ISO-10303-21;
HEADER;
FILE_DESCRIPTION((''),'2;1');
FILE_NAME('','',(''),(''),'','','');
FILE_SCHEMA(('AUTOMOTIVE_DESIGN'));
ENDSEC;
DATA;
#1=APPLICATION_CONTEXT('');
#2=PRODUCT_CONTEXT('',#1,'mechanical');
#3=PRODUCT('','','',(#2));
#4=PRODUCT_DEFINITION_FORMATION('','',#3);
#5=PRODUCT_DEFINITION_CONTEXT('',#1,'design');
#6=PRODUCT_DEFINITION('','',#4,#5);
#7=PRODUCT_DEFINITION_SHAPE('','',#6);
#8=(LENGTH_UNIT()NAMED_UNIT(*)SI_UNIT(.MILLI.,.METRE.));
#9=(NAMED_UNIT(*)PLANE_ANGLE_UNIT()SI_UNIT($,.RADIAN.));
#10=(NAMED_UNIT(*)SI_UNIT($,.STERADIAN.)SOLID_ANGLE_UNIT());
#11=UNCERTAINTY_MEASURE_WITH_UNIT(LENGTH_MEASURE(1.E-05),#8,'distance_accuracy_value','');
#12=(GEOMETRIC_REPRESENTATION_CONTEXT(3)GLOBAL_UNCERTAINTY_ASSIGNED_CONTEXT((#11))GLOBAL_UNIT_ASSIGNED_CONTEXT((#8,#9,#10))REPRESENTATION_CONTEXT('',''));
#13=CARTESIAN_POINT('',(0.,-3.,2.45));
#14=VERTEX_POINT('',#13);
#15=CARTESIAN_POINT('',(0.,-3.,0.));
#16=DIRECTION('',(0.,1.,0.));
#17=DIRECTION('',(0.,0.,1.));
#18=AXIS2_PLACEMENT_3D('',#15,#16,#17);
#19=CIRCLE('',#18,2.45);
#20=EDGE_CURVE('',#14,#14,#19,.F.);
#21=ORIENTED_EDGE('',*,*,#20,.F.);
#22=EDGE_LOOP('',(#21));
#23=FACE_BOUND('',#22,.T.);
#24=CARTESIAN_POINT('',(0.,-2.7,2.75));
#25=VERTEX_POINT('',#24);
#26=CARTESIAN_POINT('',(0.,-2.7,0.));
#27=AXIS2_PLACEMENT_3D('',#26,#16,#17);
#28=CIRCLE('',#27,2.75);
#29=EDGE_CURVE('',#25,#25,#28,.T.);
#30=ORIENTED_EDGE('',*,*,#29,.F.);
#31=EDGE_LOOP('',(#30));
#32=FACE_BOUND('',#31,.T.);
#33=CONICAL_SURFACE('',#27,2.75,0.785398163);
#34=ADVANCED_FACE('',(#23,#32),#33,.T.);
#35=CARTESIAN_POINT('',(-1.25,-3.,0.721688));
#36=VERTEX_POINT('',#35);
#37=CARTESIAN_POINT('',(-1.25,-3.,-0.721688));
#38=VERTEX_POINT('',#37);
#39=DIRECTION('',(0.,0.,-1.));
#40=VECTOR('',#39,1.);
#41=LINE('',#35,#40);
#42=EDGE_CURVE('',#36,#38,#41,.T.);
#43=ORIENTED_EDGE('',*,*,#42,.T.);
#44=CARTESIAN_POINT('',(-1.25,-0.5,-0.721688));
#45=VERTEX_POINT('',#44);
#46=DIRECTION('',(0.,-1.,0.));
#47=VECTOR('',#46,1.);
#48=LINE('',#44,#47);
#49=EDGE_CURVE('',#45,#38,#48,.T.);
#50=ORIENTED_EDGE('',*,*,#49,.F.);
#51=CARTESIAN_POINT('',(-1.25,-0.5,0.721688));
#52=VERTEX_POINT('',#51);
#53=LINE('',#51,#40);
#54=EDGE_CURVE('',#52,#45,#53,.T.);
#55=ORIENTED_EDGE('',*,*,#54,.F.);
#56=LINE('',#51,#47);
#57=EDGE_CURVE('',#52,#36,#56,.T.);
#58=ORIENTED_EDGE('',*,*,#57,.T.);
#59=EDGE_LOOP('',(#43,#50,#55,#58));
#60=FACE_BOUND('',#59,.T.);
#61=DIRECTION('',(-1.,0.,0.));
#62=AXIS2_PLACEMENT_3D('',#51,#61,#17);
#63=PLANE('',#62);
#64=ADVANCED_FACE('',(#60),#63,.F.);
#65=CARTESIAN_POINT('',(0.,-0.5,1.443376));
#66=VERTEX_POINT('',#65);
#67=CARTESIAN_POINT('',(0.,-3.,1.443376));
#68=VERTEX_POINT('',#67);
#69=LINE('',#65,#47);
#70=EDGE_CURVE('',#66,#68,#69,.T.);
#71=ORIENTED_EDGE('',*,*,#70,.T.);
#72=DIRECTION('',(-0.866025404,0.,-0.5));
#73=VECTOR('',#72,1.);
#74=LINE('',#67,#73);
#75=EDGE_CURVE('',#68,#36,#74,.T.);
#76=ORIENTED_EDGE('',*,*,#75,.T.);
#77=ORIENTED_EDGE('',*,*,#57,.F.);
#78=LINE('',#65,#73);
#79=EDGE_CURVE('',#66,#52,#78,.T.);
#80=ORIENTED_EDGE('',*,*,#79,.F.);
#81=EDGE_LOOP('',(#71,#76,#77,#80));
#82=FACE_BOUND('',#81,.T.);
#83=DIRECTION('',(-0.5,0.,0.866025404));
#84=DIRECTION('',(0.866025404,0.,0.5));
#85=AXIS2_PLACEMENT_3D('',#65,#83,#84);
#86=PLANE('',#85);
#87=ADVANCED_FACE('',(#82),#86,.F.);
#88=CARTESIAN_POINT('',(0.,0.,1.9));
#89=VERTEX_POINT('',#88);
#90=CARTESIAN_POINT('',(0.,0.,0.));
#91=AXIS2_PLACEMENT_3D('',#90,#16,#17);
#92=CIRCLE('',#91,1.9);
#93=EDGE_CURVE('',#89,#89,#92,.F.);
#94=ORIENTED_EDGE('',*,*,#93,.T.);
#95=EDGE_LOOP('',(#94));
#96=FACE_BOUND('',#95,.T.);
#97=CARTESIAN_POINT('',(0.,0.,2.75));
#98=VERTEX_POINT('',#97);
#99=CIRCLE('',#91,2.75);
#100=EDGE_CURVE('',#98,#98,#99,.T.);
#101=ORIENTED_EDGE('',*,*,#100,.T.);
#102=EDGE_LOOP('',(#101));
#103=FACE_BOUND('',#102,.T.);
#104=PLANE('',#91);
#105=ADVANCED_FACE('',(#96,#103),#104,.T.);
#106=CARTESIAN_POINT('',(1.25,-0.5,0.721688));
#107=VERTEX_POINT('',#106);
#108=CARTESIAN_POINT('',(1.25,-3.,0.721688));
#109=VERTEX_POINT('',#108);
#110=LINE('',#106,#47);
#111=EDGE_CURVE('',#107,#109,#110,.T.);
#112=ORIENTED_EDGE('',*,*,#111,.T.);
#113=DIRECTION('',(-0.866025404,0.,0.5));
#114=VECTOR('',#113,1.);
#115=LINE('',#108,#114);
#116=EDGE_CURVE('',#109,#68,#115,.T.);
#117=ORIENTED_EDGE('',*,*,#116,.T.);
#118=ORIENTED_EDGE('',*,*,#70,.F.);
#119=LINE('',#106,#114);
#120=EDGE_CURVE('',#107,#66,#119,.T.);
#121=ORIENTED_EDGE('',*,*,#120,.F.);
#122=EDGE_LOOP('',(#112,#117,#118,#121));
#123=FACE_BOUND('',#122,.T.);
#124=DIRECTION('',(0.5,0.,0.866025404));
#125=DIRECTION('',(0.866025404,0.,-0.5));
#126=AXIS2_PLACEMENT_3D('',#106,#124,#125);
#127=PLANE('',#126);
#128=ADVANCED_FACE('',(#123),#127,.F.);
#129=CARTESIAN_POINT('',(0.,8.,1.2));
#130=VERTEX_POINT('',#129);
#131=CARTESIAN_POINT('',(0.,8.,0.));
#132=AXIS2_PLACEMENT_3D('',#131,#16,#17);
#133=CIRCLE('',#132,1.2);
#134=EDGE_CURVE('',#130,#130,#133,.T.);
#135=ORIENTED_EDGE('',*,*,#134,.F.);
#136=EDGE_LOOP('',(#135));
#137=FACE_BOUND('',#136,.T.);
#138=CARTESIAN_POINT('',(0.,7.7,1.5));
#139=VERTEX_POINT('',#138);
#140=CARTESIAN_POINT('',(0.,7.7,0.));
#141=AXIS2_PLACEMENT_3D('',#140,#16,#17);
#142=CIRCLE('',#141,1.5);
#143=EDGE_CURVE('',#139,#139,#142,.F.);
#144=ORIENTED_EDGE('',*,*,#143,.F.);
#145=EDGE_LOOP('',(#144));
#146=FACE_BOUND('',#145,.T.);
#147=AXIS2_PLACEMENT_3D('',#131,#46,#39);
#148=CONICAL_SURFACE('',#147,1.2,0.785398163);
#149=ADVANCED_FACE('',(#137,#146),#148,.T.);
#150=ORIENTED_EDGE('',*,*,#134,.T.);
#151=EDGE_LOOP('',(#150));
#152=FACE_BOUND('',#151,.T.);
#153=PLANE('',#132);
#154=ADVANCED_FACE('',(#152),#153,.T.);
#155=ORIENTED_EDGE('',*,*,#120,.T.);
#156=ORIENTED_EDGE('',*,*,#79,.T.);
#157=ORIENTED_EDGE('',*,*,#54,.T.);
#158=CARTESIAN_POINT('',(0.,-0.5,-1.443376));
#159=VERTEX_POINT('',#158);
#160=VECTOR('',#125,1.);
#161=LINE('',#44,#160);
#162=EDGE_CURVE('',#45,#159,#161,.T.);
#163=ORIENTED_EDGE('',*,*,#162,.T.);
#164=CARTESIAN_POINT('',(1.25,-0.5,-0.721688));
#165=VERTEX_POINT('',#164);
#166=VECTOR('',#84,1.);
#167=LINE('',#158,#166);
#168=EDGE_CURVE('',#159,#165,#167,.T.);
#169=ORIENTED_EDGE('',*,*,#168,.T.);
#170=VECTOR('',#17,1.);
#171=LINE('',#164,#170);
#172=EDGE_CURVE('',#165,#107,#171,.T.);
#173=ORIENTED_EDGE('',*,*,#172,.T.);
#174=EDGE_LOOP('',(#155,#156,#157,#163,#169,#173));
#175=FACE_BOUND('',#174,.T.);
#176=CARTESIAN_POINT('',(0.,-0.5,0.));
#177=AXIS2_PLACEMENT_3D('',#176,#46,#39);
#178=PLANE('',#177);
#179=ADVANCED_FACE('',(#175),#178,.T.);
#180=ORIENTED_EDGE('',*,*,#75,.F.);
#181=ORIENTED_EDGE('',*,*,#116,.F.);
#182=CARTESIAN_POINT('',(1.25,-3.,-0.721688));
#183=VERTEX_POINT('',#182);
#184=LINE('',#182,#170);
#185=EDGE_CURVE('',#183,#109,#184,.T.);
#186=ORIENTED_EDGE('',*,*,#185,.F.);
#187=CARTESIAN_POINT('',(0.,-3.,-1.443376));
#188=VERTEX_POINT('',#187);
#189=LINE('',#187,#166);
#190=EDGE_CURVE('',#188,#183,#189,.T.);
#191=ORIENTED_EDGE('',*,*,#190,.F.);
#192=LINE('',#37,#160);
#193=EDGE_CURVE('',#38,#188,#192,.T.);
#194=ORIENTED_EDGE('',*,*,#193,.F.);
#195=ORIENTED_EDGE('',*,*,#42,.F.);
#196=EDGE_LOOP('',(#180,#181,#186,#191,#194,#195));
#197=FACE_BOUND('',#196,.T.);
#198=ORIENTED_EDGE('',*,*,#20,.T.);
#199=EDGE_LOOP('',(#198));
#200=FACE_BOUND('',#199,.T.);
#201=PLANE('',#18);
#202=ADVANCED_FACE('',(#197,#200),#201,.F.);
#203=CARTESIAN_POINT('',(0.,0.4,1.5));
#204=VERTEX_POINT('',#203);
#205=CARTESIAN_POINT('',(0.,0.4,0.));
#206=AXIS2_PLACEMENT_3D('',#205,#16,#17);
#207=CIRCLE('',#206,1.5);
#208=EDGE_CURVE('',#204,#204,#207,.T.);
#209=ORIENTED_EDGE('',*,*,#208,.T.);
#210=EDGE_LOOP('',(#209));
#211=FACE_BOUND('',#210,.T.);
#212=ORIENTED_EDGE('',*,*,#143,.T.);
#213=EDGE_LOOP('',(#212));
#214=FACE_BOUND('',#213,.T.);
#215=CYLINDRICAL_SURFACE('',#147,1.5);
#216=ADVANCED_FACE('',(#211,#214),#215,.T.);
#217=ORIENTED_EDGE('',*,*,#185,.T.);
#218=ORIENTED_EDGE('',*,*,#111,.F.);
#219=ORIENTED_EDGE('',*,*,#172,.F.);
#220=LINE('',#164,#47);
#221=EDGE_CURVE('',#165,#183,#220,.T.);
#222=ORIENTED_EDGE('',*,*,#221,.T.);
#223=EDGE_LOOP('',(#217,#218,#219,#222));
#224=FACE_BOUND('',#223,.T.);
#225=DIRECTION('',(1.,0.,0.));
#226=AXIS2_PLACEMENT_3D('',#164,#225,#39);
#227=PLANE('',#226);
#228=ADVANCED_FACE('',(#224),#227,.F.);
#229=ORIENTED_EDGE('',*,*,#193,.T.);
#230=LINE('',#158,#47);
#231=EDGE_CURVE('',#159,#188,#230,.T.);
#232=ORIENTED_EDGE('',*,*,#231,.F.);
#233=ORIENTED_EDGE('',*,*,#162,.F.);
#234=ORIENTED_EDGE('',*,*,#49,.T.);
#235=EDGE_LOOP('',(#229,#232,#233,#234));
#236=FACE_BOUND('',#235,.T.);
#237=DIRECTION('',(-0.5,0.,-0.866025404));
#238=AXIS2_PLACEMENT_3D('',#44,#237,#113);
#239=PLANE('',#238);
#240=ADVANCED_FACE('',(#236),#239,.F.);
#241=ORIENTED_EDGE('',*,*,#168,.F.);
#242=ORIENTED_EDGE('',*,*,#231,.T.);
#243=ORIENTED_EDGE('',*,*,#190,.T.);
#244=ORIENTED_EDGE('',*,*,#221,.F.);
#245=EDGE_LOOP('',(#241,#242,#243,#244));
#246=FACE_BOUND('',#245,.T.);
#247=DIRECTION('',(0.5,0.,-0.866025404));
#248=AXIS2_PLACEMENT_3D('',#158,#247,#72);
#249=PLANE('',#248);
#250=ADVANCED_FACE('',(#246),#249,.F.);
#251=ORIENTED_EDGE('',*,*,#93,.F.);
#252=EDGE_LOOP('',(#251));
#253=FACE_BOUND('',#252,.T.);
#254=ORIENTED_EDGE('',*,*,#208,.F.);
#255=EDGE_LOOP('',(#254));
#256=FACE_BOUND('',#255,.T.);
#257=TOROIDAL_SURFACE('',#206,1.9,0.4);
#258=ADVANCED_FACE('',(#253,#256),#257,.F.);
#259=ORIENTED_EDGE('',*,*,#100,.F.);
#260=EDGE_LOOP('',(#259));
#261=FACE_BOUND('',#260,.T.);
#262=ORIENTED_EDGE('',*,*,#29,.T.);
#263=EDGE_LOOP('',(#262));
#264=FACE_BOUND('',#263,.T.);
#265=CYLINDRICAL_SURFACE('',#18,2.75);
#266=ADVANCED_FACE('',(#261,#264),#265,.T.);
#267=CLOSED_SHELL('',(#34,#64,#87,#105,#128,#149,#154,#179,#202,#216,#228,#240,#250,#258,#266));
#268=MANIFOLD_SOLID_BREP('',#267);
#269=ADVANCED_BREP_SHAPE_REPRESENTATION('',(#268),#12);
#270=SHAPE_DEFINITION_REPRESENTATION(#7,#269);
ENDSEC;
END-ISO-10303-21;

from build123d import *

# Parameters (mm, degrees)
SKETCH2_R           = 1.5
BOSS_EXTRUDE1_DEPTH = 8
SKETCH3_R           = 2.75
BOSS_EXTRUDE2_DEPTH = 3
FILLET1_R           = 0.4
CHAMFER1_SIZE       = 0.3
CUT_EXTRUDE1_DEPTH  = 2.5


with BuildPart() as part:
    # Sketch2 → Boss-Extrude1 (new body)
    with BuildSketch(Plane(origin=(0, 0, 0), x_dir=(1, 0, 0), z_dir=(0, 1, 0))):
        with Locations(Location((0, 0, 0), (0, 0, 270))):
            Circle(SKETCH2_R)
    extrude(amount=BOSS_EXTRUDE1_DEPTH)

    # Sketch3 → Boss-Extrude2 (add)
    with BuildSketch(Plane(origin=(0, 0, 0), x_dir=(1, 0, 0), z_dir=(0, 1, 0))):
        with Locations(Location((0, 0, 0), (0, 0, 270))):
            Circle(SKETCH3_R)
    extrude(amount=-BOSS_EXTRUDE2_DEPTH)

    # Fillet1
    fillet1_edges = [part.edges().sort_by_distance(p)[0] for p in [
        (0, 0, -1.5),
    ]]
    fillet(fillet1_edges, radius=FILLET1_R)

    # Chamfer1
    chamfer1_edges = [part.edges().sort_by_distance(p)[0] for p in [
        (0, 8, -1.5),
        (0, -3, -2.75),
    ]]
    chamfer(chamfer1_edges, length=CHAMFER1_SIZE)

    # Sketch4 → Cut-Extrude1 (cut)
    with BuildSketch(Plane.XZ.offset(3)):
        Polygon((0, 1.443375673), (-1.25, 0.721687836), (-1.25, -0.721687836), (0, -1.443375673), (1.25, -0.721687836), (1.25, 0.721687836), align=None)
    extrude(amount=-CUT_EXTRUDE1_DEPTH, mode=Mode.SUBTRACT)


solid = part.part
